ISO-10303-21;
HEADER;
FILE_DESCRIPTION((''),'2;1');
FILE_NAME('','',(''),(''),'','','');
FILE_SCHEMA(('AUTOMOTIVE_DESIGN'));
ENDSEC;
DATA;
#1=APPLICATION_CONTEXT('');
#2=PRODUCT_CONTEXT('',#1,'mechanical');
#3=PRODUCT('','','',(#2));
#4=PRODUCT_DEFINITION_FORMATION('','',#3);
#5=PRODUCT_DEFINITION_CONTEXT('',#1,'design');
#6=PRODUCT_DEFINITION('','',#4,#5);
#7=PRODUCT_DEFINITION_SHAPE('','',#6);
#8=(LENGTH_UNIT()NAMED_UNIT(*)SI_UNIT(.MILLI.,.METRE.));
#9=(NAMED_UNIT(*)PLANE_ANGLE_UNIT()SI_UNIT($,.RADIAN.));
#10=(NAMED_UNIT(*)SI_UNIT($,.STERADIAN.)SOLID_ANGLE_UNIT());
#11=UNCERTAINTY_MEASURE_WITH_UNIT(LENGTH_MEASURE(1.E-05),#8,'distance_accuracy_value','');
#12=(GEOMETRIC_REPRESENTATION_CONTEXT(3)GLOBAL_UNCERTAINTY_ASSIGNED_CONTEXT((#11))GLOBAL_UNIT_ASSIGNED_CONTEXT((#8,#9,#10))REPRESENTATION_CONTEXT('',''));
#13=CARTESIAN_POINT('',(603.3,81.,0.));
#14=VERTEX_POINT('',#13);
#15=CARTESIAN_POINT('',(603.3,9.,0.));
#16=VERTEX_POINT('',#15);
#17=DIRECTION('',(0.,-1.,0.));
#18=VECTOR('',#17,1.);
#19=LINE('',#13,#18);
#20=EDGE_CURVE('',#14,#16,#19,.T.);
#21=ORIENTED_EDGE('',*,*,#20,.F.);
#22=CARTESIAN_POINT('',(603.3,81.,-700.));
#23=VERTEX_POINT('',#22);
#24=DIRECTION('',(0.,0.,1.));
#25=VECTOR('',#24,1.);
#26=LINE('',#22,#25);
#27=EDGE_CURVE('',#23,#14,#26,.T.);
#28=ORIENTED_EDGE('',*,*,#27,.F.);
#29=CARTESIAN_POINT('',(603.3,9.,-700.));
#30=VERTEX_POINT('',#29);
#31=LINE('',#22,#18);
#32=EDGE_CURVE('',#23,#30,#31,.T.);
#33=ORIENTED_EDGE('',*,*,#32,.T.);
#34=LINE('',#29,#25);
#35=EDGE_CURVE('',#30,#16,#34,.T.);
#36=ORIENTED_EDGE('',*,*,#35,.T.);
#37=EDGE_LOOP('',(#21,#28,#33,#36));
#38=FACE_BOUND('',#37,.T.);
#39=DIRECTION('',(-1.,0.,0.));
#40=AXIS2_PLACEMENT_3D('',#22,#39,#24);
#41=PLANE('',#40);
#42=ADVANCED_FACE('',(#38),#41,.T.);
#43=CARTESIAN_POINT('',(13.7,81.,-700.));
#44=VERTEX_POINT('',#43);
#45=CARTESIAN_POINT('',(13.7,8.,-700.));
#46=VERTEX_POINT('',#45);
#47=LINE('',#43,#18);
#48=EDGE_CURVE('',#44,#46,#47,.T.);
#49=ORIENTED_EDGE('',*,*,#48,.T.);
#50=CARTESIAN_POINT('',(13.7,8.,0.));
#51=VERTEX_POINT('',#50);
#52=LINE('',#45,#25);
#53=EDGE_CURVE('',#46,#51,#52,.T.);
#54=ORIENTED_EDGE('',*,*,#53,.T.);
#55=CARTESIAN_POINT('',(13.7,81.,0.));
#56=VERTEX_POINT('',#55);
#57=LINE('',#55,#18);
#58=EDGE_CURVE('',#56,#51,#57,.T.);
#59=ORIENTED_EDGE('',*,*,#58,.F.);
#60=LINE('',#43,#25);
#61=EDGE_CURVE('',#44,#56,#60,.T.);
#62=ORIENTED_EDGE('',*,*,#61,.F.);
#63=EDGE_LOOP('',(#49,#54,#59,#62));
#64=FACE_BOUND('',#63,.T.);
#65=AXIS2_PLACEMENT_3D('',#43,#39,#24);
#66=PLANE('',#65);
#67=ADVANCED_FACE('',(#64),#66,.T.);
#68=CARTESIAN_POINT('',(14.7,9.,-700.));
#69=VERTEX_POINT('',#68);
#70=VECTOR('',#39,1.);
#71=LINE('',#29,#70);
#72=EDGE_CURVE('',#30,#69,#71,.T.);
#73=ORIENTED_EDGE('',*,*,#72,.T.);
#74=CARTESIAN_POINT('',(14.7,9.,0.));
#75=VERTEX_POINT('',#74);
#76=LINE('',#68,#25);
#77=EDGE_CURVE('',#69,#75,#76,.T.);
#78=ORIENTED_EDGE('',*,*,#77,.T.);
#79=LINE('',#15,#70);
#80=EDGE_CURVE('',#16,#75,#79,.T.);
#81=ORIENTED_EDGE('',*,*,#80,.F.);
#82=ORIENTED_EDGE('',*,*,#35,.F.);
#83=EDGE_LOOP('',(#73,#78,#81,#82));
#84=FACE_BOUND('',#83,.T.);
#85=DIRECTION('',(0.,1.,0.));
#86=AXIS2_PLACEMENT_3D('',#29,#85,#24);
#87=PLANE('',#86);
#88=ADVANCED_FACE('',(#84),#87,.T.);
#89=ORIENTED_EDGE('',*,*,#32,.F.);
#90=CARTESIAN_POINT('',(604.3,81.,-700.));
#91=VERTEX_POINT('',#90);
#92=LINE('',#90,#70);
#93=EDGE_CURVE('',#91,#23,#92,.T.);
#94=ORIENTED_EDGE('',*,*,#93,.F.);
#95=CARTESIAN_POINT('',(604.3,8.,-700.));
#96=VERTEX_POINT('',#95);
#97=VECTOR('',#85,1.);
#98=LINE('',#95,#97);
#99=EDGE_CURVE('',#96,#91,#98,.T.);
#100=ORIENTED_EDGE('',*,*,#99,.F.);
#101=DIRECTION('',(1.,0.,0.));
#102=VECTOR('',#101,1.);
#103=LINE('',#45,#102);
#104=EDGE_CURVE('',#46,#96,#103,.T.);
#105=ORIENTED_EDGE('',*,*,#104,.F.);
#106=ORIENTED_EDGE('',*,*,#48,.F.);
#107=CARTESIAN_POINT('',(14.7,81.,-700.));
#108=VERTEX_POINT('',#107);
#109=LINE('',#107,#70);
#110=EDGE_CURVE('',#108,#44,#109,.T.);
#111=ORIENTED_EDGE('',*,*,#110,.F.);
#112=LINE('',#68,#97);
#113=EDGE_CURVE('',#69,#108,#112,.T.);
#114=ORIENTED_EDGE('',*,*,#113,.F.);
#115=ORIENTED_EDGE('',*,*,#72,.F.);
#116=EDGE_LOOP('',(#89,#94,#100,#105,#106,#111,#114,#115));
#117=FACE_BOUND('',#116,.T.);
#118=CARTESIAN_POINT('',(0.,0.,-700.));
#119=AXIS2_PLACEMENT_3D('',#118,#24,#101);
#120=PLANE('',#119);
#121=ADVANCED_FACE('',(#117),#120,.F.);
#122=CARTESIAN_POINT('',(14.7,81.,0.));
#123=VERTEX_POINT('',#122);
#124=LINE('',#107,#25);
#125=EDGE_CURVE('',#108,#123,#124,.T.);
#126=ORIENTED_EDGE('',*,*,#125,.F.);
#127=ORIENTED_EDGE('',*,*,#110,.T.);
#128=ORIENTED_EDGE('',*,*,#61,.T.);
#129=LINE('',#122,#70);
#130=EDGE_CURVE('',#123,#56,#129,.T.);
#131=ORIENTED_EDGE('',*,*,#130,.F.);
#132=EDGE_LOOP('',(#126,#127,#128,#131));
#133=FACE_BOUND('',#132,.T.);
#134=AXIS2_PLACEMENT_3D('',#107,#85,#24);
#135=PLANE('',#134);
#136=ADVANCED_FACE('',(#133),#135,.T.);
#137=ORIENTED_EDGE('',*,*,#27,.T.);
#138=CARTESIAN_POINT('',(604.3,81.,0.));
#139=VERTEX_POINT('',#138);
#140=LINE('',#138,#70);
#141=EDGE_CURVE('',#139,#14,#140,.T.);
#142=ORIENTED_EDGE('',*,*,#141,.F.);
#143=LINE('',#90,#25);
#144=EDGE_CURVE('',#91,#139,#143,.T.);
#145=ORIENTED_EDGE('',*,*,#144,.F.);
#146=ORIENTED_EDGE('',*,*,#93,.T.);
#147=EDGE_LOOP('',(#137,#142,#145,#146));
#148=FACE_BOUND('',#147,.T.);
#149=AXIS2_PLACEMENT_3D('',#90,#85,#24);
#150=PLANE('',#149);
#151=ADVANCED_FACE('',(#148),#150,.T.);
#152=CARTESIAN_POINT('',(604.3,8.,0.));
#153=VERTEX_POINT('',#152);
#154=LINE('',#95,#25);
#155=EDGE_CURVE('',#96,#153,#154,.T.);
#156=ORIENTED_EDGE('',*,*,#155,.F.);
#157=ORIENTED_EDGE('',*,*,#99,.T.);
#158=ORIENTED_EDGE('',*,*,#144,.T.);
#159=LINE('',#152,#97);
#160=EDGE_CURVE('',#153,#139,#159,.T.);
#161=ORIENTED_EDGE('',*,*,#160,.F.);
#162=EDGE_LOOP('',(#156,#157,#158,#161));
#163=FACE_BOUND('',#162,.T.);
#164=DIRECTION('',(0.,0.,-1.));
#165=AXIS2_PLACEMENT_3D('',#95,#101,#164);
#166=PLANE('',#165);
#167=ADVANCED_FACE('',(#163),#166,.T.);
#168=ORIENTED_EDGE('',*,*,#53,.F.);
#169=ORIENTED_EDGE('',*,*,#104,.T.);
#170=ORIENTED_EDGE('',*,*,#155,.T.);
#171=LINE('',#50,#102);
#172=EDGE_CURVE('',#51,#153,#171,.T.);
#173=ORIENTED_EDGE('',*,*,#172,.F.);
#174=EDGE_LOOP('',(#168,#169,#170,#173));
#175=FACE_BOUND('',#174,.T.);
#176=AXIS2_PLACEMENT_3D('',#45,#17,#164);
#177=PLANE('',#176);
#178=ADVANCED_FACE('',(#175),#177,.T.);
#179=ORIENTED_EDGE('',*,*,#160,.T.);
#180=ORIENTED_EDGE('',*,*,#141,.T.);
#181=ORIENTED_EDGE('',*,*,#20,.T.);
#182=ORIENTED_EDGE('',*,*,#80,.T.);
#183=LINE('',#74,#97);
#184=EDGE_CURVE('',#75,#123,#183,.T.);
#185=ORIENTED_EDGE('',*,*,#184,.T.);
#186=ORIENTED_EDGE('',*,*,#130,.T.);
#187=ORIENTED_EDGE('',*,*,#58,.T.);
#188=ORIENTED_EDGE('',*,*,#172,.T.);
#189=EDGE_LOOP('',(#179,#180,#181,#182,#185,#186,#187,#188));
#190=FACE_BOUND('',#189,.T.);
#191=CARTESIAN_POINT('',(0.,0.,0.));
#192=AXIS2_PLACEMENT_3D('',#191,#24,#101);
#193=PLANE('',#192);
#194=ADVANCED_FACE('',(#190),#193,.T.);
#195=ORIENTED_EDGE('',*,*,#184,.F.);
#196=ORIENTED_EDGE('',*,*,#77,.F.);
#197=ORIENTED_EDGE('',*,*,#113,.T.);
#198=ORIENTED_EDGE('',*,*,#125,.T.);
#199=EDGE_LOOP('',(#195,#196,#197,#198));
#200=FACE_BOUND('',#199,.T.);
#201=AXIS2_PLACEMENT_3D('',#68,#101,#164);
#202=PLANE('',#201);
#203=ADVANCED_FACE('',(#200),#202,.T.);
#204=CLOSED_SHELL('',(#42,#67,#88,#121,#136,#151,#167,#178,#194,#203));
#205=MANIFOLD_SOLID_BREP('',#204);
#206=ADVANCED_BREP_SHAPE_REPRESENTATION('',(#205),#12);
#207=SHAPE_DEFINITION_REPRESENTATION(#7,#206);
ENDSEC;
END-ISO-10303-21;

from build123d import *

# Parameters (mm, degrees)
CEK_TAZE_KUTU_U_1_0_1_DEPTH = 700


with BuildPart() as part:
    # Sketch1 → CEK_taze_kutu_U_1.0_1 (new body)
    with BuildSketch(Plane.XY):
        Polygon((13.7, 81), (13.7, 8), (604.3, 8), (604.3, 81), (603.3, 81), (603.3, 9), (14.7, 9), (14.7, 81), align=None)
    extrude(amount=-CEK_TAZE_KUTU_U_1_0_1_DEPTH)


solid = part.part
